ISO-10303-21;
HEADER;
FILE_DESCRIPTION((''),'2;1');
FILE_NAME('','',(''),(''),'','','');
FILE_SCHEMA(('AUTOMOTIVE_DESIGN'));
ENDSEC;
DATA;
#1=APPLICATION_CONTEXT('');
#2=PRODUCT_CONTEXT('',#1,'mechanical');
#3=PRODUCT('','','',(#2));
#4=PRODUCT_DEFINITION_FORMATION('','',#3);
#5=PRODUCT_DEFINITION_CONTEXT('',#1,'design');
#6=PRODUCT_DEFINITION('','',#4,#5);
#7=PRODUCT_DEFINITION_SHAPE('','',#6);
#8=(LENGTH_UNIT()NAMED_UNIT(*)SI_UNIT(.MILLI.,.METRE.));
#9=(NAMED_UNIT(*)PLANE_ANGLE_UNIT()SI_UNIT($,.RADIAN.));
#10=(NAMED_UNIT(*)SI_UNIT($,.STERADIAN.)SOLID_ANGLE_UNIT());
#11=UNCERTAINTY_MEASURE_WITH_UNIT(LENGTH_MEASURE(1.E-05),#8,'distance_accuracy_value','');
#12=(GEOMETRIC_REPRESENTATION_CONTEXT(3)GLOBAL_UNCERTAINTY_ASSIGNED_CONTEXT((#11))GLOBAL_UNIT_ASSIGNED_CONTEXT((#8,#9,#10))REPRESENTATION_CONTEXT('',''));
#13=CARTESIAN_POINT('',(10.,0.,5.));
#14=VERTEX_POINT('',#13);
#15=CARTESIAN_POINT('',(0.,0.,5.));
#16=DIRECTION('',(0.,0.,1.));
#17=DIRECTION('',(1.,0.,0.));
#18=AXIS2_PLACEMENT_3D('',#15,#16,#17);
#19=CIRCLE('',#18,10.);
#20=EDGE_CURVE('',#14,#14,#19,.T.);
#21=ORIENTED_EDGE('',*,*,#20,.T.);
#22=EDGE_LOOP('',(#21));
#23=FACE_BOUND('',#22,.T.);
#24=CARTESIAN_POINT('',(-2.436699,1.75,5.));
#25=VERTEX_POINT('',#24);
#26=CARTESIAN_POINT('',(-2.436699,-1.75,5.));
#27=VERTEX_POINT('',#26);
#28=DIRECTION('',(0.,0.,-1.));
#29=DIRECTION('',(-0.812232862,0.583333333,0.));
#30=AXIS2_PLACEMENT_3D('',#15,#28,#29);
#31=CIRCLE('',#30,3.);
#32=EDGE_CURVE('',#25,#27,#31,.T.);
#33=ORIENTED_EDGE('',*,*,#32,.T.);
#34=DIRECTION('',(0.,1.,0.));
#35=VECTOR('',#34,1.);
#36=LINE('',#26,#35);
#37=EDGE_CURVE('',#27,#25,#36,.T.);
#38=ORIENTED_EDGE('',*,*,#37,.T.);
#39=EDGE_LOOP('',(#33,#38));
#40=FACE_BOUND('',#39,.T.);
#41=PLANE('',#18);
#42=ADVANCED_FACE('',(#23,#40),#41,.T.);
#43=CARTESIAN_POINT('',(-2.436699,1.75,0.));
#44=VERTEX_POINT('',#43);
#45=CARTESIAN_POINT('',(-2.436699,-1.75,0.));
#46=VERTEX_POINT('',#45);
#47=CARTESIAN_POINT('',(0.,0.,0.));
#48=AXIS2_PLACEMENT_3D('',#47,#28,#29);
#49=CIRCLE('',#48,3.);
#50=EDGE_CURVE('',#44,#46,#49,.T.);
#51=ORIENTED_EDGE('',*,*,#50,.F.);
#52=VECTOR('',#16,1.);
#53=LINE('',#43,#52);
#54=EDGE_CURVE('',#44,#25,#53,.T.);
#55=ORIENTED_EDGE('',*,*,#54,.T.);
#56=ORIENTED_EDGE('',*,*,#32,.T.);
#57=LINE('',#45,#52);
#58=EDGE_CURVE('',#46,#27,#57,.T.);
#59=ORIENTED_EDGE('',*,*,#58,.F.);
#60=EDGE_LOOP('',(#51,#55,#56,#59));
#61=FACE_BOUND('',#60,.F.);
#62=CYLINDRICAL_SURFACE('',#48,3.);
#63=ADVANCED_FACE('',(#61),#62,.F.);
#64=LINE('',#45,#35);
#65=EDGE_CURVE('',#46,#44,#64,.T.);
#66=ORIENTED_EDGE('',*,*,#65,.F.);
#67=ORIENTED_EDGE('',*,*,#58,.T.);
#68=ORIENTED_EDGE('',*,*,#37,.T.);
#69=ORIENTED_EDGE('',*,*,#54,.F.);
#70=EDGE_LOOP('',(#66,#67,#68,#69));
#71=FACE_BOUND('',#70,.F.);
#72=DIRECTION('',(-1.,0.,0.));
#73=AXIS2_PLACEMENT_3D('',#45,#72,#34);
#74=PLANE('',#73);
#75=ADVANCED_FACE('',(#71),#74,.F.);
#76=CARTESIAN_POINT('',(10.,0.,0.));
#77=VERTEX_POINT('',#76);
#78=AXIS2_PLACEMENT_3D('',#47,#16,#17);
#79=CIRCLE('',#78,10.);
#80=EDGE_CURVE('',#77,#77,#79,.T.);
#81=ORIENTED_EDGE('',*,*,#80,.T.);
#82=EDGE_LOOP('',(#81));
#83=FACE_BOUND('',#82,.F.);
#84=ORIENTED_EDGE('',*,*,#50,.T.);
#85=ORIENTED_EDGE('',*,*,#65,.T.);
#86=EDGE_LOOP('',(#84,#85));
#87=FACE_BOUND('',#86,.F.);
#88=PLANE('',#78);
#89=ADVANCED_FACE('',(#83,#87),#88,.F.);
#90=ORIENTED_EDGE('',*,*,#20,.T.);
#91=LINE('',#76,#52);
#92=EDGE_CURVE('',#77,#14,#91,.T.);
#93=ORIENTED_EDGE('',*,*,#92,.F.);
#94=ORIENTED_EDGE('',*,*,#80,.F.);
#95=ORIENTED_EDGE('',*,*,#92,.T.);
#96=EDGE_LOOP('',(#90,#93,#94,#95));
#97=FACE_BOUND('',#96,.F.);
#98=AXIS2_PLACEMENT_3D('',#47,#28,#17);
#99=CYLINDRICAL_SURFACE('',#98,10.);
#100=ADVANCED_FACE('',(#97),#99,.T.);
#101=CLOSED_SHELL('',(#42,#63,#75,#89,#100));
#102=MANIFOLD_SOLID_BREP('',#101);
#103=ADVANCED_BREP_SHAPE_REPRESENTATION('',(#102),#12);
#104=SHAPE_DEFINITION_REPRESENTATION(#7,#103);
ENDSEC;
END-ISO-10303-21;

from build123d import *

# Parameters (mm, degrees)
F1_R     = 10
F2_DEPTH = 5


with BuildPart() as f2:
    # F1 (on face) → F2 (new body)
    with BuildSketch(Plane.XY):
        Circle(F1_R)
        with BuildLine():
            Line((-2.4366985862, -1.75), (-2.4366985862, 1.75))
            ThreePointArc((-2.4366985862, 1.75), (3, 0), (-2.4366985862, -1.75))
        make_face(mode=Mode.SUBTRACT)
    extrude(amount=F2_DEPTH)


solid = f2.part
